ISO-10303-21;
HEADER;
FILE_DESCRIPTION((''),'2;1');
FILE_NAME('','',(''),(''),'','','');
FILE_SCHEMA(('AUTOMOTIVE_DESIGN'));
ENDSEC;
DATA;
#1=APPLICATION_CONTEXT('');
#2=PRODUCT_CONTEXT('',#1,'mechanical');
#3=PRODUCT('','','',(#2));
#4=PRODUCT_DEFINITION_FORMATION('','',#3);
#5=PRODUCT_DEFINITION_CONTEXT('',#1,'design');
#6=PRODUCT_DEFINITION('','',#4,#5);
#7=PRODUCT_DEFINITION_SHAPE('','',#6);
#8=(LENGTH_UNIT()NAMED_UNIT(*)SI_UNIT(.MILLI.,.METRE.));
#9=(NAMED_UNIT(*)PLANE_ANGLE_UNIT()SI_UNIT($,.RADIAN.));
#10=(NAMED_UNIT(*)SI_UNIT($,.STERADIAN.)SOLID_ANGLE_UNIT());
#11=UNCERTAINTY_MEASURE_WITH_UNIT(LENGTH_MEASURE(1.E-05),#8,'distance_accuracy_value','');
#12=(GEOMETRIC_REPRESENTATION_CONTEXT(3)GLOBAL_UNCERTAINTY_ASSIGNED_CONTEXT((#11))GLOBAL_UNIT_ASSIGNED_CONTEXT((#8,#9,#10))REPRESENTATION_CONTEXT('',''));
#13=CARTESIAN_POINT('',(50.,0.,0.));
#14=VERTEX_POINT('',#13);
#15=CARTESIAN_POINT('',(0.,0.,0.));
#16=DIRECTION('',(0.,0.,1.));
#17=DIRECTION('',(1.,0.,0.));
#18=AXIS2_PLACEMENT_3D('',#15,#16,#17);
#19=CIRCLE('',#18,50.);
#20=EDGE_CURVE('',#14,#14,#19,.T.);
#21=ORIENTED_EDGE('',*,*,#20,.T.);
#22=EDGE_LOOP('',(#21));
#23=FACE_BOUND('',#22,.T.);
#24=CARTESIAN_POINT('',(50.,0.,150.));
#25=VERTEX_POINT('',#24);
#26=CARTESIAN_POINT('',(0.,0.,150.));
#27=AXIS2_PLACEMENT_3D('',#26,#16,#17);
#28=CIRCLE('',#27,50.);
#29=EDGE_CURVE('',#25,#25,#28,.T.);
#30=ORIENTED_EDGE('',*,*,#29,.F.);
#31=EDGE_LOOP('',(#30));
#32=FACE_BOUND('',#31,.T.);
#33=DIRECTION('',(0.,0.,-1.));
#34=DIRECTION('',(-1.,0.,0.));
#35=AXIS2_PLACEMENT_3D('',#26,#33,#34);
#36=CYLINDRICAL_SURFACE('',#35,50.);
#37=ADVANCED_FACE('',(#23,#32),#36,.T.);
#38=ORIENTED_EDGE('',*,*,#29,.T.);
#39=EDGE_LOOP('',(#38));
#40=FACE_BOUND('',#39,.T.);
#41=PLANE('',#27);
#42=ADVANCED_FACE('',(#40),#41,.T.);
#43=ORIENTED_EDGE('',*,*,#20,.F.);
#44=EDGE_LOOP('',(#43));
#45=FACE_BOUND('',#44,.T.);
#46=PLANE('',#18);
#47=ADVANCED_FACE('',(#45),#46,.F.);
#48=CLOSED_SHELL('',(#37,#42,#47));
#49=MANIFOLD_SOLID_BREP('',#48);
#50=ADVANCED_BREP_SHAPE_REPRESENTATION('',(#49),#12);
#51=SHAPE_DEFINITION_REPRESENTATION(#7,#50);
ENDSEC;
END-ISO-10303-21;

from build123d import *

# Parameters (mm, degrees)
SCHIZZO1_R                   = 50
ESTRUSIONE_ESTRUSIONE1_DEPTH = 150


with BuildPart() as part:
    # Schizzo1 → Estrusione-Estrusione1 (new body)
    with BuildSketch(Plane.XY):
        Circle(SCHIZZO1_R)
    extrude(amount=ESTRUSIONE_ESTRUSIONE1_DEPTH)


solid = part.part
